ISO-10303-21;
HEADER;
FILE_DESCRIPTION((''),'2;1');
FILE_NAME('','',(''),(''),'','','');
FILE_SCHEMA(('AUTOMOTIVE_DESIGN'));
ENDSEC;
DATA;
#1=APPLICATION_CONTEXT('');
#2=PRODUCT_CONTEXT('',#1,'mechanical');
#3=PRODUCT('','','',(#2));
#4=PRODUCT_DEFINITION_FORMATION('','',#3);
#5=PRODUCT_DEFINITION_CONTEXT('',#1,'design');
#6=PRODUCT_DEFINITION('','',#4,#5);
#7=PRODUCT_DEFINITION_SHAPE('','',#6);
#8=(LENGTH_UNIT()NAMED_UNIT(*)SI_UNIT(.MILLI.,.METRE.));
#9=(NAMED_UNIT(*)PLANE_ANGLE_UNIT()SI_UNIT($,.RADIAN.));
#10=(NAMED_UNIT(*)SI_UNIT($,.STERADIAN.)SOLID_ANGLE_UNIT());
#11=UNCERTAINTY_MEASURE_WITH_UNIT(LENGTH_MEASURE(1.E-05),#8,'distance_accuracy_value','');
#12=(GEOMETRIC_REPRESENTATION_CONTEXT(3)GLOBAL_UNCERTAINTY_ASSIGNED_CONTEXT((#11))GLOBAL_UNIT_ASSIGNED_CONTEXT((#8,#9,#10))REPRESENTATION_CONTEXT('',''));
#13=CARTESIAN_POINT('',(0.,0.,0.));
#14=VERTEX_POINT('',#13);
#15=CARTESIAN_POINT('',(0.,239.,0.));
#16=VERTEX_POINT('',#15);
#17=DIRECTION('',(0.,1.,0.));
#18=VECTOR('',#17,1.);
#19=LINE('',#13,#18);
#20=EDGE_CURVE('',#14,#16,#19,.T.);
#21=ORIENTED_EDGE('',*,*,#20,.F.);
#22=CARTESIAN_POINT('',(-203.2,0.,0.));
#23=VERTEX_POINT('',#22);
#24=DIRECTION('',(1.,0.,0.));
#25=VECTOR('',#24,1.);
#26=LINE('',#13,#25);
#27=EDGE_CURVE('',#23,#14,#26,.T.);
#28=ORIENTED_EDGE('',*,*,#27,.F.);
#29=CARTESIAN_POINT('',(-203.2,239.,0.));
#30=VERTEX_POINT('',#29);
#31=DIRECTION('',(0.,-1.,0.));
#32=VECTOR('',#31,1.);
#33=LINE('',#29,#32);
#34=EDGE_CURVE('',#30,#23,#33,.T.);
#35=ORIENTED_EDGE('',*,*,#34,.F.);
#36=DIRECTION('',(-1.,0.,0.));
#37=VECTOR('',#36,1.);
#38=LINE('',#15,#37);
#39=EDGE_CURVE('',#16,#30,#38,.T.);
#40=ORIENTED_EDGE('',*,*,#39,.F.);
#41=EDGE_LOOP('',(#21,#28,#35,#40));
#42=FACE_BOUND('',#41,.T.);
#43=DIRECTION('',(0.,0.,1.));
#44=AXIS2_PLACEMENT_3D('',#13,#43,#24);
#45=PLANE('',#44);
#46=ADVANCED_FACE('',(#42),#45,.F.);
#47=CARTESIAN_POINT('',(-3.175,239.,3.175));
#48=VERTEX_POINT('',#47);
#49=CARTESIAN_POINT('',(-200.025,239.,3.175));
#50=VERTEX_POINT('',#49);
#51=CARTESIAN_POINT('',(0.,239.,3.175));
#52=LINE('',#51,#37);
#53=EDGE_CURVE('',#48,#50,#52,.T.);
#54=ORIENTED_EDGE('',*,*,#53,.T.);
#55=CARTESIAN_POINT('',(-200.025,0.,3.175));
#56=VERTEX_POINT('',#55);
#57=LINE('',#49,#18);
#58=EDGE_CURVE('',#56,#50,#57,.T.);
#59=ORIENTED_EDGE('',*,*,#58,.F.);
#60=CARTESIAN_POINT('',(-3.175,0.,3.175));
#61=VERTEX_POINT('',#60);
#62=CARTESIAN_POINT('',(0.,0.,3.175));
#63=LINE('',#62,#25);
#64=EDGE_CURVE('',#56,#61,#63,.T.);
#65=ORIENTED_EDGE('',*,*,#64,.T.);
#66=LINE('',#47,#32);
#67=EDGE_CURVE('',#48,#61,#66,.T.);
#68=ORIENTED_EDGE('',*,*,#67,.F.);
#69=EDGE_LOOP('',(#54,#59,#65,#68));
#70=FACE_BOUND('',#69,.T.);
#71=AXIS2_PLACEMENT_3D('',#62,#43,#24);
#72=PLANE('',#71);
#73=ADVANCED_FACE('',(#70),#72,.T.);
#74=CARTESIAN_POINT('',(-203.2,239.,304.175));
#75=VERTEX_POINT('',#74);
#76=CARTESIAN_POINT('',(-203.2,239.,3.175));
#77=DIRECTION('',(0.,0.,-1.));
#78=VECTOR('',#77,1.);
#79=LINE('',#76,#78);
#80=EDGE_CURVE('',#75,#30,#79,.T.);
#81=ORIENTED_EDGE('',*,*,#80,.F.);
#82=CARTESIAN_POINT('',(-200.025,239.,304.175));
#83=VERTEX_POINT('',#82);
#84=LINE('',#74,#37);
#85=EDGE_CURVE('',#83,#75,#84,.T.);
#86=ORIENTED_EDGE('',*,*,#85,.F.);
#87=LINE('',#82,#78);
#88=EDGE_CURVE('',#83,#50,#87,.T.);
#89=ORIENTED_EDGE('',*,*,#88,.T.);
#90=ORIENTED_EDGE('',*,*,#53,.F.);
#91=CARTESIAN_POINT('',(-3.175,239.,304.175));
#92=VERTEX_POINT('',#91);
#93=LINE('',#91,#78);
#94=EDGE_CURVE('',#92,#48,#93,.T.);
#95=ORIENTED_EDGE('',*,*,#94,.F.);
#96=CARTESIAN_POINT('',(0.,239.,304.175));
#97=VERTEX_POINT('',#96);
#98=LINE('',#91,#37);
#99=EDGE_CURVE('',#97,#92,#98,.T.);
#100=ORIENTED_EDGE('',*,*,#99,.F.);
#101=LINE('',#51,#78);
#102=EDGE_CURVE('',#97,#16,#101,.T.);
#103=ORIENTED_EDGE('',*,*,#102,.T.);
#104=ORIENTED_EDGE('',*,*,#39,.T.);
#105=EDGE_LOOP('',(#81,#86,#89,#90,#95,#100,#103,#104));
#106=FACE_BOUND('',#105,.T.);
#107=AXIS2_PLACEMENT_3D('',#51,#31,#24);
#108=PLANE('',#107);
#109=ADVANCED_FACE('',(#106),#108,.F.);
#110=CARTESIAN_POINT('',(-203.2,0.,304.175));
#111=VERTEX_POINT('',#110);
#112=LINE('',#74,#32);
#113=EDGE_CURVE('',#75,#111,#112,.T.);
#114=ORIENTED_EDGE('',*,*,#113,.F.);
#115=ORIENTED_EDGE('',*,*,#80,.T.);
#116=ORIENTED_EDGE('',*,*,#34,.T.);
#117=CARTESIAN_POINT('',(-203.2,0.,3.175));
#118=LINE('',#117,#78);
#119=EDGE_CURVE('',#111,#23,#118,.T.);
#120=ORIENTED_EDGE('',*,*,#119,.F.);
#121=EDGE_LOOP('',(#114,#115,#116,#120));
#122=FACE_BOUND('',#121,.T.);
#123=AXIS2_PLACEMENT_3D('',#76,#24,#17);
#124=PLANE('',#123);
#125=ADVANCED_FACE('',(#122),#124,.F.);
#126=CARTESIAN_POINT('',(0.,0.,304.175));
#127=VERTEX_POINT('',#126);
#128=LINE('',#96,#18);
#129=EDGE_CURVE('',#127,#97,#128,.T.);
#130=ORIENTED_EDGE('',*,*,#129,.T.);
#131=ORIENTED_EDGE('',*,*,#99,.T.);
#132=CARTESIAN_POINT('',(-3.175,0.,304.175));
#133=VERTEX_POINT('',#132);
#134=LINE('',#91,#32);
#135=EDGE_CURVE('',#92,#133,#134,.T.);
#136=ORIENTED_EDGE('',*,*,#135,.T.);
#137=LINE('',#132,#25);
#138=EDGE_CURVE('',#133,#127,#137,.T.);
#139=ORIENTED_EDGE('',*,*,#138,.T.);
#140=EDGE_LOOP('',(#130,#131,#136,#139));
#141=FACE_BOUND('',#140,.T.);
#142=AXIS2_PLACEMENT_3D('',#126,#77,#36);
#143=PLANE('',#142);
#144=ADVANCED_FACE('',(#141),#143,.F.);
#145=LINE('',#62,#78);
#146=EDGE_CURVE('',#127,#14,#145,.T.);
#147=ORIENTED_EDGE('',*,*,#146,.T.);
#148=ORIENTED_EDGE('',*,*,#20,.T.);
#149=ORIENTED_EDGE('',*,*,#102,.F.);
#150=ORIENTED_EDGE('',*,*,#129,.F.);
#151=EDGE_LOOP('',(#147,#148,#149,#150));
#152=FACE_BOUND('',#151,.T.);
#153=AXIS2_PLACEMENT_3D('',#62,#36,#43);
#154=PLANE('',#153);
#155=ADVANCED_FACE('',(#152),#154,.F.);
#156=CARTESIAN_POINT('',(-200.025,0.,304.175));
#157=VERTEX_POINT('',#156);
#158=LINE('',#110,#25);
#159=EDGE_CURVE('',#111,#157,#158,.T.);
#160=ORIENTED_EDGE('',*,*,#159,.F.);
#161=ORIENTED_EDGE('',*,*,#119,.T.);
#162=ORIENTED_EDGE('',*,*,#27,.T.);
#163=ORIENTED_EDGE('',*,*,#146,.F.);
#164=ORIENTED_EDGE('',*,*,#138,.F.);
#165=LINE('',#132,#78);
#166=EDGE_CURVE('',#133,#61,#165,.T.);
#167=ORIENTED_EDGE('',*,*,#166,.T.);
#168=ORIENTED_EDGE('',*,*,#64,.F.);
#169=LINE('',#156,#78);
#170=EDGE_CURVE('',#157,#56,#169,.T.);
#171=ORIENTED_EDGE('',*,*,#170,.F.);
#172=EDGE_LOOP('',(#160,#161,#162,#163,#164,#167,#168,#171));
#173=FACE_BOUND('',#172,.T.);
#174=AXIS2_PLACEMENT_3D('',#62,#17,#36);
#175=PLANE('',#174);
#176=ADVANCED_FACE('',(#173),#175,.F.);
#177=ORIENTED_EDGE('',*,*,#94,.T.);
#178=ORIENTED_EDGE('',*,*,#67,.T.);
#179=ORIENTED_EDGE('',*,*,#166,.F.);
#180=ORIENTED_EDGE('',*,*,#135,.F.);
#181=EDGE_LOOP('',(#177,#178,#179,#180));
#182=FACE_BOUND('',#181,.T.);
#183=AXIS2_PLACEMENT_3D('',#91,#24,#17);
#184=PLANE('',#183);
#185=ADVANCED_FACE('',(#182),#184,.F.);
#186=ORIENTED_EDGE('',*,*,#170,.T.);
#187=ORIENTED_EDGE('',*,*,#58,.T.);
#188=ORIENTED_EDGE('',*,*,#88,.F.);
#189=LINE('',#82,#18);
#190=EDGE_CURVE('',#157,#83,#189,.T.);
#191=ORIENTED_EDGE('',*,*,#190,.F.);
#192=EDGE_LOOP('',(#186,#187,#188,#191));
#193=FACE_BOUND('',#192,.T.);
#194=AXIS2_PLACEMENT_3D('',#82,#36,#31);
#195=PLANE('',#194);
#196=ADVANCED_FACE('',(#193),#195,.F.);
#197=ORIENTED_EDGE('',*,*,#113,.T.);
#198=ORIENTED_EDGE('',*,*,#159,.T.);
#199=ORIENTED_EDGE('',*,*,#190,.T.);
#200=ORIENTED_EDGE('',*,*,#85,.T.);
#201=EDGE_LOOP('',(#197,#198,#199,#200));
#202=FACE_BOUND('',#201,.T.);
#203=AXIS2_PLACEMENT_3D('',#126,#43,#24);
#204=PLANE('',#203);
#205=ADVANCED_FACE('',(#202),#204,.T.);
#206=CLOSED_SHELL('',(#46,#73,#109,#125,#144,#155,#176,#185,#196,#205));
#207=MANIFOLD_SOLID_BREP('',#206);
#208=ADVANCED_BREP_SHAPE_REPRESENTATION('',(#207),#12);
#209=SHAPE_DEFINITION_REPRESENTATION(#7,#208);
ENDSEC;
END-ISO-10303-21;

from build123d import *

# Parameters (mm, degrees)
SKETCH1_W           = 203.2
SKETCH1_H           = 239
BOSS_EXTRUDE2_DEPTH = 3.175
SKETCH2_W           = 3.175
SKETCH2_H           = 239
BOSS_EXTRUDE5_DEPTH = 301


with BuildPart() as part:
    # Sketch1 → Boss-Extrude2 (new body)
    with BuildSketch(Plane.XY):
        with Locations((-101.6, 119.5)):
            Rectangle(SKETCH1_W, SKETCH1_H)
    extrude(amount=BOSS_EXTRUDE2_DEPTH)

    # Sketch2 → Boss-Extrude5 (add)
    with BuildSketch(Plane.XY.offset(3.175)):
        with Locations((-201.6125, 119.5)):
            Rectangle(SKETCH2_W, SKETCH2_H)
        with Locations((-1.5875, 119.5)):
            Rectangle(SKETCH2_W, SKETCH2_H)
    extrude(amount=BOSS_EXTRUDE5_DEPTH)


solid = part.part
